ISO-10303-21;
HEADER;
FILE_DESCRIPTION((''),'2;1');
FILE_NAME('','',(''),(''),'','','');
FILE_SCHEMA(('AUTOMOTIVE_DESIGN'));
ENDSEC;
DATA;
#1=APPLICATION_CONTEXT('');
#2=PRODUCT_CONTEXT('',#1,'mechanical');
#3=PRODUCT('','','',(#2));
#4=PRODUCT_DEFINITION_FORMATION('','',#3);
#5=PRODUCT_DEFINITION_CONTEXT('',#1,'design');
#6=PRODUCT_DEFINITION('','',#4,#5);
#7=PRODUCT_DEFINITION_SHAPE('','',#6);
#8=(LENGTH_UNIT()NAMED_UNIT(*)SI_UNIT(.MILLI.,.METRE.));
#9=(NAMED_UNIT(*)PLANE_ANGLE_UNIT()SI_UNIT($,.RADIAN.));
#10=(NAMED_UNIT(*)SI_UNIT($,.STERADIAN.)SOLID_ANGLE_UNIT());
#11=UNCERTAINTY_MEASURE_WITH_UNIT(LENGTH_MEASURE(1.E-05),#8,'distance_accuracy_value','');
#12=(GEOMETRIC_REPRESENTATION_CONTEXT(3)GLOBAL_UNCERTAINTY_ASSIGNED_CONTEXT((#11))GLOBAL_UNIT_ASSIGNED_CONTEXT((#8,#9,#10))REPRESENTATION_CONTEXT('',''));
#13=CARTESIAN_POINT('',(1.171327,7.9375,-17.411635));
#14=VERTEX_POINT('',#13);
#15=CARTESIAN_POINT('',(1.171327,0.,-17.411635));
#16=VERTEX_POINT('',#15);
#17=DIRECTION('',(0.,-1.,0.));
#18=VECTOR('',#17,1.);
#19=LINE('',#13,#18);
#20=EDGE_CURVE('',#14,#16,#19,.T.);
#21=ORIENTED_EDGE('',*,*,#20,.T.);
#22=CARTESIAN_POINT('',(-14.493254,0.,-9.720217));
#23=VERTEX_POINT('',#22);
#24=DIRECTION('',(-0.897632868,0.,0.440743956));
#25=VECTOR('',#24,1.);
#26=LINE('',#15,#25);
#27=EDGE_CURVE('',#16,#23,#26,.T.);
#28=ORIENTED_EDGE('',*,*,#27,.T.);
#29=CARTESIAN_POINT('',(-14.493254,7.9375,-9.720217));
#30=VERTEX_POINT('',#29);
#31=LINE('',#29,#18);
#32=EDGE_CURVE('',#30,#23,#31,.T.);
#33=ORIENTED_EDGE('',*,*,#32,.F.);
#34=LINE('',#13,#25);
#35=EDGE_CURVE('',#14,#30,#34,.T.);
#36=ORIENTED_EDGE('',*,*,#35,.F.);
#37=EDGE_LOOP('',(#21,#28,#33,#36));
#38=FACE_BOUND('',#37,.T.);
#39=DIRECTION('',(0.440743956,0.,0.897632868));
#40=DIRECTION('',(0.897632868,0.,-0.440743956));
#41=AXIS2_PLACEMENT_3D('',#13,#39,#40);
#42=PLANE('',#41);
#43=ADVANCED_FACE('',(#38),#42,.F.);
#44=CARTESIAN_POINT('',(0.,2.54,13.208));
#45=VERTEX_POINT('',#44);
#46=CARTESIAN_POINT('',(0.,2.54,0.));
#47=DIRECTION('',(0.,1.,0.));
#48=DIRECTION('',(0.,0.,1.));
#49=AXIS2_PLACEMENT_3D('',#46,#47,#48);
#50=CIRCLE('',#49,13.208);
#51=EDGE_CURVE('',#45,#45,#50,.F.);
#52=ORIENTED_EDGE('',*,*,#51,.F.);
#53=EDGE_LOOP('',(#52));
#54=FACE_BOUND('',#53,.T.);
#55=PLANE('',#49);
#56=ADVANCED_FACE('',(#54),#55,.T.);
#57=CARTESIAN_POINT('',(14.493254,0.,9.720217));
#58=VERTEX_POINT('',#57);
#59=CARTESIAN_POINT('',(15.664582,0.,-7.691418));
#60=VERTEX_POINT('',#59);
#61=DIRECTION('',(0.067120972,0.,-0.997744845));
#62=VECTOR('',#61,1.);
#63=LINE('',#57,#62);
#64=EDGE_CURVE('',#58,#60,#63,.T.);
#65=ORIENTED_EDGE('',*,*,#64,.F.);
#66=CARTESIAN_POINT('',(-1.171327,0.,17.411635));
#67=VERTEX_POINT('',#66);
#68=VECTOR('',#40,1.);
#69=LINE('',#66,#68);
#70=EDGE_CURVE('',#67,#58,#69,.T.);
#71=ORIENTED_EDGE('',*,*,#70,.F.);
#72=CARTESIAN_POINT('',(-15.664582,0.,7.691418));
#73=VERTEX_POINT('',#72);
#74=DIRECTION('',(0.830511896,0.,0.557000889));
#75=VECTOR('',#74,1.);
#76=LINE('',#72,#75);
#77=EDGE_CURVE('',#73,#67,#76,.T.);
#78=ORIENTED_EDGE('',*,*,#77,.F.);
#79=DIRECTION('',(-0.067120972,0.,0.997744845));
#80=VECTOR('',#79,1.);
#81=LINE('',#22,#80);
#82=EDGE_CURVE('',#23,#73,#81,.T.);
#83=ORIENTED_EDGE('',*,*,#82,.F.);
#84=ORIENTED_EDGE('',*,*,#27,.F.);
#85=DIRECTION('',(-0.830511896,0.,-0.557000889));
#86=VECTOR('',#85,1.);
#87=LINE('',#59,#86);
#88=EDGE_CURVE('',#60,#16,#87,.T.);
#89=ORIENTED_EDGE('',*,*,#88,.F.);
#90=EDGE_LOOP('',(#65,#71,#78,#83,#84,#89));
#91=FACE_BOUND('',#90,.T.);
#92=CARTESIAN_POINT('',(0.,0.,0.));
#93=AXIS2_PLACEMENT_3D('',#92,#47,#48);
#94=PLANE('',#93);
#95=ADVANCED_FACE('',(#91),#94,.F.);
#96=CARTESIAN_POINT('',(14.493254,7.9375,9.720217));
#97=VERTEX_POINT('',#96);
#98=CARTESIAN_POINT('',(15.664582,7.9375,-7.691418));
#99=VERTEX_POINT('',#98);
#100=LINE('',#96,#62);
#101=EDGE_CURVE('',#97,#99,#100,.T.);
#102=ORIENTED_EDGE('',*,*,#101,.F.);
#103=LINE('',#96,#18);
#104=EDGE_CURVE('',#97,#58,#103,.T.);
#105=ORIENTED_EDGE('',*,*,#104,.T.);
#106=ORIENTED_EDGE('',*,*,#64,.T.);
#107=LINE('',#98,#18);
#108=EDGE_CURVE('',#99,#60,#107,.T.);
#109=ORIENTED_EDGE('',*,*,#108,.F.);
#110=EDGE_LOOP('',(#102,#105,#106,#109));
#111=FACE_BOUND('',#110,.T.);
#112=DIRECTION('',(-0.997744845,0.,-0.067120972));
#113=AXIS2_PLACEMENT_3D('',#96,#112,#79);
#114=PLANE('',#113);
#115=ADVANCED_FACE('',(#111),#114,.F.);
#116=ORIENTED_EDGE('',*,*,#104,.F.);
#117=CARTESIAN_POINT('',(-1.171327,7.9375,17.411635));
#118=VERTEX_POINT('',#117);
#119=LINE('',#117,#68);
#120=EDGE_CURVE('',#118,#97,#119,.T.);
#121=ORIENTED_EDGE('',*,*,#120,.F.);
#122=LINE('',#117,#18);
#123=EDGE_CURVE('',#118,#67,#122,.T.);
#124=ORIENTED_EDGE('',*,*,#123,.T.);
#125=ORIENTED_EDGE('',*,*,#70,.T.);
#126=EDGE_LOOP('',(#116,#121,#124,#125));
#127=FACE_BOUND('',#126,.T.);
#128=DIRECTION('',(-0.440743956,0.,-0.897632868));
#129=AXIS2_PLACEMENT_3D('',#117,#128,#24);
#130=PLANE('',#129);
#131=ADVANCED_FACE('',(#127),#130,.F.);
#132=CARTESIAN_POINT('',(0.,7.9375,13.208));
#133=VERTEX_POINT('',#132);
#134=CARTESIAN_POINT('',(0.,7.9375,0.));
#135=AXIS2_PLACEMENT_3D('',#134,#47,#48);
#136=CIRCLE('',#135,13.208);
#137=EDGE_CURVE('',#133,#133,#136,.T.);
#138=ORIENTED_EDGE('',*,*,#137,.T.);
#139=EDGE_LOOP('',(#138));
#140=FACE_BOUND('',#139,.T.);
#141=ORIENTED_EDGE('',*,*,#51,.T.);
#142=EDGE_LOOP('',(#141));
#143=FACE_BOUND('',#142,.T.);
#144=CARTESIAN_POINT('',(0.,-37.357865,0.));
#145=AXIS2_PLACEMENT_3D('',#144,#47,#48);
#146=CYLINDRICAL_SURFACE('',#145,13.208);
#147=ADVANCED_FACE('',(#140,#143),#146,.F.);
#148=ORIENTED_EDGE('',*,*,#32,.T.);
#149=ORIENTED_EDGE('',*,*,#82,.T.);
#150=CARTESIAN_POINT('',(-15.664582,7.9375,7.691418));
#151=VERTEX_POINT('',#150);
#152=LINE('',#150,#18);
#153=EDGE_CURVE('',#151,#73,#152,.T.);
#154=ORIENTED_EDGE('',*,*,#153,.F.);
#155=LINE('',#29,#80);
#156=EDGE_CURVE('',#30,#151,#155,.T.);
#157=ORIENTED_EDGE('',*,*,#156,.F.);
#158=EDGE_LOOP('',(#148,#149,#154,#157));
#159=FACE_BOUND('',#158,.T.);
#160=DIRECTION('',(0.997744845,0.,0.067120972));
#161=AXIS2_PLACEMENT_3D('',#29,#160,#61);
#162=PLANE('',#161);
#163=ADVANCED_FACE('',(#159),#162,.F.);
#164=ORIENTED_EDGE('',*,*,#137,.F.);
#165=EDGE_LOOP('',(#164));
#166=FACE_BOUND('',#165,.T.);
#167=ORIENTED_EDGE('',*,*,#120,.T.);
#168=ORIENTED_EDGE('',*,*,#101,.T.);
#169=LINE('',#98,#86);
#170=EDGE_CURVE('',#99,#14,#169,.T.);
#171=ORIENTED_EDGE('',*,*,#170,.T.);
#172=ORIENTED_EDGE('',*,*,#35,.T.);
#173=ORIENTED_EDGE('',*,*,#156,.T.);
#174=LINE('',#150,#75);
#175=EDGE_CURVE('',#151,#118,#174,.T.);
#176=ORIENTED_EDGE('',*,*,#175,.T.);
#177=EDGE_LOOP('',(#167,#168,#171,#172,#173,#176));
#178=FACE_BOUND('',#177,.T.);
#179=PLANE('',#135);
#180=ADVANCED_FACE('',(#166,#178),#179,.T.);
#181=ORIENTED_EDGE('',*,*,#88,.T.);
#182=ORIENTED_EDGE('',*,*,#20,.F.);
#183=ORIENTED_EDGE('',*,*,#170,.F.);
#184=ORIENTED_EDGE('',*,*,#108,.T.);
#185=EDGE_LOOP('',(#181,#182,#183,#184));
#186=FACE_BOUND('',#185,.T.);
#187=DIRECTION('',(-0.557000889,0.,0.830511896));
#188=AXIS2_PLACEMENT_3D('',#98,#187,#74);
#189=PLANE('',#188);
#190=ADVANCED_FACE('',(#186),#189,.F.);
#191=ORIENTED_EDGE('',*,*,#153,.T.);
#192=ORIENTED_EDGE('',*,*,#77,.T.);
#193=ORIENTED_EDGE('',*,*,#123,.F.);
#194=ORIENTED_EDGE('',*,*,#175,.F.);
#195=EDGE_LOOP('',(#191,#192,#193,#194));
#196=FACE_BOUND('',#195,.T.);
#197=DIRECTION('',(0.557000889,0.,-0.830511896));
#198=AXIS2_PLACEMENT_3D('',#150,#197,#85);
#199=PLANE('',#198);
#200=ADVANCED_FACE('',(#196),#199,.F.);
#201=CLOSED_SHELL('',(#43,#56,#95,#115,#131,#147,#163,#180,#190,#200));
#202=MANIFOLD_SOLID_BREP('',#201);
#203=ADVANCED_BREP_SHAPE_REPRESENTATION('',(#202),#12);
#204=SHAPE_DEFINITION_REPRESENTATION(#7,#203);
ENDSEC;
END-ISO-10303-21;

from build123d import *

# Parameters (mm, degrees)
BOSS_EXTRUDE1_DEPTH = 7.9375
SKETCH2_R           = 13.208
CUT_EXTRUDE1_DEPTH  = 5.3975


with BuildPart() as part:
    # Sketch1 → Boss-Extrude1 (new body)
    with BuildSketch(Plane(origin=(0, 0, 0), x_dir=(1, 0, 0), z_dir=(0, 1, 0))):
        Polygon((14.493254159, -9.720216521), (15.664581517, 7.691418025), (1.171327358, 17.411634546), (-14.493254159, 9.720216521), (-15.664581517, -7.691418025), (-1.171327358, -17.411634546), align=None)
    extrude(amount=BOSS_EXTRUDE1_DEPTH)

    # Sketch2 → Cut-Extrude1 (cut)
    with BuildSketch(Plane(origin=(0, 7.9375, 0), x_dir=(1, 0, 0), z_dir=(0, 1, 0))):
        with Locations(Location((0, 0, 0), (0, 0, 270))):
            Circle(SKETCH2_R)
    extrude(amount=-CUT_EXTRUDE1_DEPTH, mode=Mode.SUBTRACT)


solid = part.part
